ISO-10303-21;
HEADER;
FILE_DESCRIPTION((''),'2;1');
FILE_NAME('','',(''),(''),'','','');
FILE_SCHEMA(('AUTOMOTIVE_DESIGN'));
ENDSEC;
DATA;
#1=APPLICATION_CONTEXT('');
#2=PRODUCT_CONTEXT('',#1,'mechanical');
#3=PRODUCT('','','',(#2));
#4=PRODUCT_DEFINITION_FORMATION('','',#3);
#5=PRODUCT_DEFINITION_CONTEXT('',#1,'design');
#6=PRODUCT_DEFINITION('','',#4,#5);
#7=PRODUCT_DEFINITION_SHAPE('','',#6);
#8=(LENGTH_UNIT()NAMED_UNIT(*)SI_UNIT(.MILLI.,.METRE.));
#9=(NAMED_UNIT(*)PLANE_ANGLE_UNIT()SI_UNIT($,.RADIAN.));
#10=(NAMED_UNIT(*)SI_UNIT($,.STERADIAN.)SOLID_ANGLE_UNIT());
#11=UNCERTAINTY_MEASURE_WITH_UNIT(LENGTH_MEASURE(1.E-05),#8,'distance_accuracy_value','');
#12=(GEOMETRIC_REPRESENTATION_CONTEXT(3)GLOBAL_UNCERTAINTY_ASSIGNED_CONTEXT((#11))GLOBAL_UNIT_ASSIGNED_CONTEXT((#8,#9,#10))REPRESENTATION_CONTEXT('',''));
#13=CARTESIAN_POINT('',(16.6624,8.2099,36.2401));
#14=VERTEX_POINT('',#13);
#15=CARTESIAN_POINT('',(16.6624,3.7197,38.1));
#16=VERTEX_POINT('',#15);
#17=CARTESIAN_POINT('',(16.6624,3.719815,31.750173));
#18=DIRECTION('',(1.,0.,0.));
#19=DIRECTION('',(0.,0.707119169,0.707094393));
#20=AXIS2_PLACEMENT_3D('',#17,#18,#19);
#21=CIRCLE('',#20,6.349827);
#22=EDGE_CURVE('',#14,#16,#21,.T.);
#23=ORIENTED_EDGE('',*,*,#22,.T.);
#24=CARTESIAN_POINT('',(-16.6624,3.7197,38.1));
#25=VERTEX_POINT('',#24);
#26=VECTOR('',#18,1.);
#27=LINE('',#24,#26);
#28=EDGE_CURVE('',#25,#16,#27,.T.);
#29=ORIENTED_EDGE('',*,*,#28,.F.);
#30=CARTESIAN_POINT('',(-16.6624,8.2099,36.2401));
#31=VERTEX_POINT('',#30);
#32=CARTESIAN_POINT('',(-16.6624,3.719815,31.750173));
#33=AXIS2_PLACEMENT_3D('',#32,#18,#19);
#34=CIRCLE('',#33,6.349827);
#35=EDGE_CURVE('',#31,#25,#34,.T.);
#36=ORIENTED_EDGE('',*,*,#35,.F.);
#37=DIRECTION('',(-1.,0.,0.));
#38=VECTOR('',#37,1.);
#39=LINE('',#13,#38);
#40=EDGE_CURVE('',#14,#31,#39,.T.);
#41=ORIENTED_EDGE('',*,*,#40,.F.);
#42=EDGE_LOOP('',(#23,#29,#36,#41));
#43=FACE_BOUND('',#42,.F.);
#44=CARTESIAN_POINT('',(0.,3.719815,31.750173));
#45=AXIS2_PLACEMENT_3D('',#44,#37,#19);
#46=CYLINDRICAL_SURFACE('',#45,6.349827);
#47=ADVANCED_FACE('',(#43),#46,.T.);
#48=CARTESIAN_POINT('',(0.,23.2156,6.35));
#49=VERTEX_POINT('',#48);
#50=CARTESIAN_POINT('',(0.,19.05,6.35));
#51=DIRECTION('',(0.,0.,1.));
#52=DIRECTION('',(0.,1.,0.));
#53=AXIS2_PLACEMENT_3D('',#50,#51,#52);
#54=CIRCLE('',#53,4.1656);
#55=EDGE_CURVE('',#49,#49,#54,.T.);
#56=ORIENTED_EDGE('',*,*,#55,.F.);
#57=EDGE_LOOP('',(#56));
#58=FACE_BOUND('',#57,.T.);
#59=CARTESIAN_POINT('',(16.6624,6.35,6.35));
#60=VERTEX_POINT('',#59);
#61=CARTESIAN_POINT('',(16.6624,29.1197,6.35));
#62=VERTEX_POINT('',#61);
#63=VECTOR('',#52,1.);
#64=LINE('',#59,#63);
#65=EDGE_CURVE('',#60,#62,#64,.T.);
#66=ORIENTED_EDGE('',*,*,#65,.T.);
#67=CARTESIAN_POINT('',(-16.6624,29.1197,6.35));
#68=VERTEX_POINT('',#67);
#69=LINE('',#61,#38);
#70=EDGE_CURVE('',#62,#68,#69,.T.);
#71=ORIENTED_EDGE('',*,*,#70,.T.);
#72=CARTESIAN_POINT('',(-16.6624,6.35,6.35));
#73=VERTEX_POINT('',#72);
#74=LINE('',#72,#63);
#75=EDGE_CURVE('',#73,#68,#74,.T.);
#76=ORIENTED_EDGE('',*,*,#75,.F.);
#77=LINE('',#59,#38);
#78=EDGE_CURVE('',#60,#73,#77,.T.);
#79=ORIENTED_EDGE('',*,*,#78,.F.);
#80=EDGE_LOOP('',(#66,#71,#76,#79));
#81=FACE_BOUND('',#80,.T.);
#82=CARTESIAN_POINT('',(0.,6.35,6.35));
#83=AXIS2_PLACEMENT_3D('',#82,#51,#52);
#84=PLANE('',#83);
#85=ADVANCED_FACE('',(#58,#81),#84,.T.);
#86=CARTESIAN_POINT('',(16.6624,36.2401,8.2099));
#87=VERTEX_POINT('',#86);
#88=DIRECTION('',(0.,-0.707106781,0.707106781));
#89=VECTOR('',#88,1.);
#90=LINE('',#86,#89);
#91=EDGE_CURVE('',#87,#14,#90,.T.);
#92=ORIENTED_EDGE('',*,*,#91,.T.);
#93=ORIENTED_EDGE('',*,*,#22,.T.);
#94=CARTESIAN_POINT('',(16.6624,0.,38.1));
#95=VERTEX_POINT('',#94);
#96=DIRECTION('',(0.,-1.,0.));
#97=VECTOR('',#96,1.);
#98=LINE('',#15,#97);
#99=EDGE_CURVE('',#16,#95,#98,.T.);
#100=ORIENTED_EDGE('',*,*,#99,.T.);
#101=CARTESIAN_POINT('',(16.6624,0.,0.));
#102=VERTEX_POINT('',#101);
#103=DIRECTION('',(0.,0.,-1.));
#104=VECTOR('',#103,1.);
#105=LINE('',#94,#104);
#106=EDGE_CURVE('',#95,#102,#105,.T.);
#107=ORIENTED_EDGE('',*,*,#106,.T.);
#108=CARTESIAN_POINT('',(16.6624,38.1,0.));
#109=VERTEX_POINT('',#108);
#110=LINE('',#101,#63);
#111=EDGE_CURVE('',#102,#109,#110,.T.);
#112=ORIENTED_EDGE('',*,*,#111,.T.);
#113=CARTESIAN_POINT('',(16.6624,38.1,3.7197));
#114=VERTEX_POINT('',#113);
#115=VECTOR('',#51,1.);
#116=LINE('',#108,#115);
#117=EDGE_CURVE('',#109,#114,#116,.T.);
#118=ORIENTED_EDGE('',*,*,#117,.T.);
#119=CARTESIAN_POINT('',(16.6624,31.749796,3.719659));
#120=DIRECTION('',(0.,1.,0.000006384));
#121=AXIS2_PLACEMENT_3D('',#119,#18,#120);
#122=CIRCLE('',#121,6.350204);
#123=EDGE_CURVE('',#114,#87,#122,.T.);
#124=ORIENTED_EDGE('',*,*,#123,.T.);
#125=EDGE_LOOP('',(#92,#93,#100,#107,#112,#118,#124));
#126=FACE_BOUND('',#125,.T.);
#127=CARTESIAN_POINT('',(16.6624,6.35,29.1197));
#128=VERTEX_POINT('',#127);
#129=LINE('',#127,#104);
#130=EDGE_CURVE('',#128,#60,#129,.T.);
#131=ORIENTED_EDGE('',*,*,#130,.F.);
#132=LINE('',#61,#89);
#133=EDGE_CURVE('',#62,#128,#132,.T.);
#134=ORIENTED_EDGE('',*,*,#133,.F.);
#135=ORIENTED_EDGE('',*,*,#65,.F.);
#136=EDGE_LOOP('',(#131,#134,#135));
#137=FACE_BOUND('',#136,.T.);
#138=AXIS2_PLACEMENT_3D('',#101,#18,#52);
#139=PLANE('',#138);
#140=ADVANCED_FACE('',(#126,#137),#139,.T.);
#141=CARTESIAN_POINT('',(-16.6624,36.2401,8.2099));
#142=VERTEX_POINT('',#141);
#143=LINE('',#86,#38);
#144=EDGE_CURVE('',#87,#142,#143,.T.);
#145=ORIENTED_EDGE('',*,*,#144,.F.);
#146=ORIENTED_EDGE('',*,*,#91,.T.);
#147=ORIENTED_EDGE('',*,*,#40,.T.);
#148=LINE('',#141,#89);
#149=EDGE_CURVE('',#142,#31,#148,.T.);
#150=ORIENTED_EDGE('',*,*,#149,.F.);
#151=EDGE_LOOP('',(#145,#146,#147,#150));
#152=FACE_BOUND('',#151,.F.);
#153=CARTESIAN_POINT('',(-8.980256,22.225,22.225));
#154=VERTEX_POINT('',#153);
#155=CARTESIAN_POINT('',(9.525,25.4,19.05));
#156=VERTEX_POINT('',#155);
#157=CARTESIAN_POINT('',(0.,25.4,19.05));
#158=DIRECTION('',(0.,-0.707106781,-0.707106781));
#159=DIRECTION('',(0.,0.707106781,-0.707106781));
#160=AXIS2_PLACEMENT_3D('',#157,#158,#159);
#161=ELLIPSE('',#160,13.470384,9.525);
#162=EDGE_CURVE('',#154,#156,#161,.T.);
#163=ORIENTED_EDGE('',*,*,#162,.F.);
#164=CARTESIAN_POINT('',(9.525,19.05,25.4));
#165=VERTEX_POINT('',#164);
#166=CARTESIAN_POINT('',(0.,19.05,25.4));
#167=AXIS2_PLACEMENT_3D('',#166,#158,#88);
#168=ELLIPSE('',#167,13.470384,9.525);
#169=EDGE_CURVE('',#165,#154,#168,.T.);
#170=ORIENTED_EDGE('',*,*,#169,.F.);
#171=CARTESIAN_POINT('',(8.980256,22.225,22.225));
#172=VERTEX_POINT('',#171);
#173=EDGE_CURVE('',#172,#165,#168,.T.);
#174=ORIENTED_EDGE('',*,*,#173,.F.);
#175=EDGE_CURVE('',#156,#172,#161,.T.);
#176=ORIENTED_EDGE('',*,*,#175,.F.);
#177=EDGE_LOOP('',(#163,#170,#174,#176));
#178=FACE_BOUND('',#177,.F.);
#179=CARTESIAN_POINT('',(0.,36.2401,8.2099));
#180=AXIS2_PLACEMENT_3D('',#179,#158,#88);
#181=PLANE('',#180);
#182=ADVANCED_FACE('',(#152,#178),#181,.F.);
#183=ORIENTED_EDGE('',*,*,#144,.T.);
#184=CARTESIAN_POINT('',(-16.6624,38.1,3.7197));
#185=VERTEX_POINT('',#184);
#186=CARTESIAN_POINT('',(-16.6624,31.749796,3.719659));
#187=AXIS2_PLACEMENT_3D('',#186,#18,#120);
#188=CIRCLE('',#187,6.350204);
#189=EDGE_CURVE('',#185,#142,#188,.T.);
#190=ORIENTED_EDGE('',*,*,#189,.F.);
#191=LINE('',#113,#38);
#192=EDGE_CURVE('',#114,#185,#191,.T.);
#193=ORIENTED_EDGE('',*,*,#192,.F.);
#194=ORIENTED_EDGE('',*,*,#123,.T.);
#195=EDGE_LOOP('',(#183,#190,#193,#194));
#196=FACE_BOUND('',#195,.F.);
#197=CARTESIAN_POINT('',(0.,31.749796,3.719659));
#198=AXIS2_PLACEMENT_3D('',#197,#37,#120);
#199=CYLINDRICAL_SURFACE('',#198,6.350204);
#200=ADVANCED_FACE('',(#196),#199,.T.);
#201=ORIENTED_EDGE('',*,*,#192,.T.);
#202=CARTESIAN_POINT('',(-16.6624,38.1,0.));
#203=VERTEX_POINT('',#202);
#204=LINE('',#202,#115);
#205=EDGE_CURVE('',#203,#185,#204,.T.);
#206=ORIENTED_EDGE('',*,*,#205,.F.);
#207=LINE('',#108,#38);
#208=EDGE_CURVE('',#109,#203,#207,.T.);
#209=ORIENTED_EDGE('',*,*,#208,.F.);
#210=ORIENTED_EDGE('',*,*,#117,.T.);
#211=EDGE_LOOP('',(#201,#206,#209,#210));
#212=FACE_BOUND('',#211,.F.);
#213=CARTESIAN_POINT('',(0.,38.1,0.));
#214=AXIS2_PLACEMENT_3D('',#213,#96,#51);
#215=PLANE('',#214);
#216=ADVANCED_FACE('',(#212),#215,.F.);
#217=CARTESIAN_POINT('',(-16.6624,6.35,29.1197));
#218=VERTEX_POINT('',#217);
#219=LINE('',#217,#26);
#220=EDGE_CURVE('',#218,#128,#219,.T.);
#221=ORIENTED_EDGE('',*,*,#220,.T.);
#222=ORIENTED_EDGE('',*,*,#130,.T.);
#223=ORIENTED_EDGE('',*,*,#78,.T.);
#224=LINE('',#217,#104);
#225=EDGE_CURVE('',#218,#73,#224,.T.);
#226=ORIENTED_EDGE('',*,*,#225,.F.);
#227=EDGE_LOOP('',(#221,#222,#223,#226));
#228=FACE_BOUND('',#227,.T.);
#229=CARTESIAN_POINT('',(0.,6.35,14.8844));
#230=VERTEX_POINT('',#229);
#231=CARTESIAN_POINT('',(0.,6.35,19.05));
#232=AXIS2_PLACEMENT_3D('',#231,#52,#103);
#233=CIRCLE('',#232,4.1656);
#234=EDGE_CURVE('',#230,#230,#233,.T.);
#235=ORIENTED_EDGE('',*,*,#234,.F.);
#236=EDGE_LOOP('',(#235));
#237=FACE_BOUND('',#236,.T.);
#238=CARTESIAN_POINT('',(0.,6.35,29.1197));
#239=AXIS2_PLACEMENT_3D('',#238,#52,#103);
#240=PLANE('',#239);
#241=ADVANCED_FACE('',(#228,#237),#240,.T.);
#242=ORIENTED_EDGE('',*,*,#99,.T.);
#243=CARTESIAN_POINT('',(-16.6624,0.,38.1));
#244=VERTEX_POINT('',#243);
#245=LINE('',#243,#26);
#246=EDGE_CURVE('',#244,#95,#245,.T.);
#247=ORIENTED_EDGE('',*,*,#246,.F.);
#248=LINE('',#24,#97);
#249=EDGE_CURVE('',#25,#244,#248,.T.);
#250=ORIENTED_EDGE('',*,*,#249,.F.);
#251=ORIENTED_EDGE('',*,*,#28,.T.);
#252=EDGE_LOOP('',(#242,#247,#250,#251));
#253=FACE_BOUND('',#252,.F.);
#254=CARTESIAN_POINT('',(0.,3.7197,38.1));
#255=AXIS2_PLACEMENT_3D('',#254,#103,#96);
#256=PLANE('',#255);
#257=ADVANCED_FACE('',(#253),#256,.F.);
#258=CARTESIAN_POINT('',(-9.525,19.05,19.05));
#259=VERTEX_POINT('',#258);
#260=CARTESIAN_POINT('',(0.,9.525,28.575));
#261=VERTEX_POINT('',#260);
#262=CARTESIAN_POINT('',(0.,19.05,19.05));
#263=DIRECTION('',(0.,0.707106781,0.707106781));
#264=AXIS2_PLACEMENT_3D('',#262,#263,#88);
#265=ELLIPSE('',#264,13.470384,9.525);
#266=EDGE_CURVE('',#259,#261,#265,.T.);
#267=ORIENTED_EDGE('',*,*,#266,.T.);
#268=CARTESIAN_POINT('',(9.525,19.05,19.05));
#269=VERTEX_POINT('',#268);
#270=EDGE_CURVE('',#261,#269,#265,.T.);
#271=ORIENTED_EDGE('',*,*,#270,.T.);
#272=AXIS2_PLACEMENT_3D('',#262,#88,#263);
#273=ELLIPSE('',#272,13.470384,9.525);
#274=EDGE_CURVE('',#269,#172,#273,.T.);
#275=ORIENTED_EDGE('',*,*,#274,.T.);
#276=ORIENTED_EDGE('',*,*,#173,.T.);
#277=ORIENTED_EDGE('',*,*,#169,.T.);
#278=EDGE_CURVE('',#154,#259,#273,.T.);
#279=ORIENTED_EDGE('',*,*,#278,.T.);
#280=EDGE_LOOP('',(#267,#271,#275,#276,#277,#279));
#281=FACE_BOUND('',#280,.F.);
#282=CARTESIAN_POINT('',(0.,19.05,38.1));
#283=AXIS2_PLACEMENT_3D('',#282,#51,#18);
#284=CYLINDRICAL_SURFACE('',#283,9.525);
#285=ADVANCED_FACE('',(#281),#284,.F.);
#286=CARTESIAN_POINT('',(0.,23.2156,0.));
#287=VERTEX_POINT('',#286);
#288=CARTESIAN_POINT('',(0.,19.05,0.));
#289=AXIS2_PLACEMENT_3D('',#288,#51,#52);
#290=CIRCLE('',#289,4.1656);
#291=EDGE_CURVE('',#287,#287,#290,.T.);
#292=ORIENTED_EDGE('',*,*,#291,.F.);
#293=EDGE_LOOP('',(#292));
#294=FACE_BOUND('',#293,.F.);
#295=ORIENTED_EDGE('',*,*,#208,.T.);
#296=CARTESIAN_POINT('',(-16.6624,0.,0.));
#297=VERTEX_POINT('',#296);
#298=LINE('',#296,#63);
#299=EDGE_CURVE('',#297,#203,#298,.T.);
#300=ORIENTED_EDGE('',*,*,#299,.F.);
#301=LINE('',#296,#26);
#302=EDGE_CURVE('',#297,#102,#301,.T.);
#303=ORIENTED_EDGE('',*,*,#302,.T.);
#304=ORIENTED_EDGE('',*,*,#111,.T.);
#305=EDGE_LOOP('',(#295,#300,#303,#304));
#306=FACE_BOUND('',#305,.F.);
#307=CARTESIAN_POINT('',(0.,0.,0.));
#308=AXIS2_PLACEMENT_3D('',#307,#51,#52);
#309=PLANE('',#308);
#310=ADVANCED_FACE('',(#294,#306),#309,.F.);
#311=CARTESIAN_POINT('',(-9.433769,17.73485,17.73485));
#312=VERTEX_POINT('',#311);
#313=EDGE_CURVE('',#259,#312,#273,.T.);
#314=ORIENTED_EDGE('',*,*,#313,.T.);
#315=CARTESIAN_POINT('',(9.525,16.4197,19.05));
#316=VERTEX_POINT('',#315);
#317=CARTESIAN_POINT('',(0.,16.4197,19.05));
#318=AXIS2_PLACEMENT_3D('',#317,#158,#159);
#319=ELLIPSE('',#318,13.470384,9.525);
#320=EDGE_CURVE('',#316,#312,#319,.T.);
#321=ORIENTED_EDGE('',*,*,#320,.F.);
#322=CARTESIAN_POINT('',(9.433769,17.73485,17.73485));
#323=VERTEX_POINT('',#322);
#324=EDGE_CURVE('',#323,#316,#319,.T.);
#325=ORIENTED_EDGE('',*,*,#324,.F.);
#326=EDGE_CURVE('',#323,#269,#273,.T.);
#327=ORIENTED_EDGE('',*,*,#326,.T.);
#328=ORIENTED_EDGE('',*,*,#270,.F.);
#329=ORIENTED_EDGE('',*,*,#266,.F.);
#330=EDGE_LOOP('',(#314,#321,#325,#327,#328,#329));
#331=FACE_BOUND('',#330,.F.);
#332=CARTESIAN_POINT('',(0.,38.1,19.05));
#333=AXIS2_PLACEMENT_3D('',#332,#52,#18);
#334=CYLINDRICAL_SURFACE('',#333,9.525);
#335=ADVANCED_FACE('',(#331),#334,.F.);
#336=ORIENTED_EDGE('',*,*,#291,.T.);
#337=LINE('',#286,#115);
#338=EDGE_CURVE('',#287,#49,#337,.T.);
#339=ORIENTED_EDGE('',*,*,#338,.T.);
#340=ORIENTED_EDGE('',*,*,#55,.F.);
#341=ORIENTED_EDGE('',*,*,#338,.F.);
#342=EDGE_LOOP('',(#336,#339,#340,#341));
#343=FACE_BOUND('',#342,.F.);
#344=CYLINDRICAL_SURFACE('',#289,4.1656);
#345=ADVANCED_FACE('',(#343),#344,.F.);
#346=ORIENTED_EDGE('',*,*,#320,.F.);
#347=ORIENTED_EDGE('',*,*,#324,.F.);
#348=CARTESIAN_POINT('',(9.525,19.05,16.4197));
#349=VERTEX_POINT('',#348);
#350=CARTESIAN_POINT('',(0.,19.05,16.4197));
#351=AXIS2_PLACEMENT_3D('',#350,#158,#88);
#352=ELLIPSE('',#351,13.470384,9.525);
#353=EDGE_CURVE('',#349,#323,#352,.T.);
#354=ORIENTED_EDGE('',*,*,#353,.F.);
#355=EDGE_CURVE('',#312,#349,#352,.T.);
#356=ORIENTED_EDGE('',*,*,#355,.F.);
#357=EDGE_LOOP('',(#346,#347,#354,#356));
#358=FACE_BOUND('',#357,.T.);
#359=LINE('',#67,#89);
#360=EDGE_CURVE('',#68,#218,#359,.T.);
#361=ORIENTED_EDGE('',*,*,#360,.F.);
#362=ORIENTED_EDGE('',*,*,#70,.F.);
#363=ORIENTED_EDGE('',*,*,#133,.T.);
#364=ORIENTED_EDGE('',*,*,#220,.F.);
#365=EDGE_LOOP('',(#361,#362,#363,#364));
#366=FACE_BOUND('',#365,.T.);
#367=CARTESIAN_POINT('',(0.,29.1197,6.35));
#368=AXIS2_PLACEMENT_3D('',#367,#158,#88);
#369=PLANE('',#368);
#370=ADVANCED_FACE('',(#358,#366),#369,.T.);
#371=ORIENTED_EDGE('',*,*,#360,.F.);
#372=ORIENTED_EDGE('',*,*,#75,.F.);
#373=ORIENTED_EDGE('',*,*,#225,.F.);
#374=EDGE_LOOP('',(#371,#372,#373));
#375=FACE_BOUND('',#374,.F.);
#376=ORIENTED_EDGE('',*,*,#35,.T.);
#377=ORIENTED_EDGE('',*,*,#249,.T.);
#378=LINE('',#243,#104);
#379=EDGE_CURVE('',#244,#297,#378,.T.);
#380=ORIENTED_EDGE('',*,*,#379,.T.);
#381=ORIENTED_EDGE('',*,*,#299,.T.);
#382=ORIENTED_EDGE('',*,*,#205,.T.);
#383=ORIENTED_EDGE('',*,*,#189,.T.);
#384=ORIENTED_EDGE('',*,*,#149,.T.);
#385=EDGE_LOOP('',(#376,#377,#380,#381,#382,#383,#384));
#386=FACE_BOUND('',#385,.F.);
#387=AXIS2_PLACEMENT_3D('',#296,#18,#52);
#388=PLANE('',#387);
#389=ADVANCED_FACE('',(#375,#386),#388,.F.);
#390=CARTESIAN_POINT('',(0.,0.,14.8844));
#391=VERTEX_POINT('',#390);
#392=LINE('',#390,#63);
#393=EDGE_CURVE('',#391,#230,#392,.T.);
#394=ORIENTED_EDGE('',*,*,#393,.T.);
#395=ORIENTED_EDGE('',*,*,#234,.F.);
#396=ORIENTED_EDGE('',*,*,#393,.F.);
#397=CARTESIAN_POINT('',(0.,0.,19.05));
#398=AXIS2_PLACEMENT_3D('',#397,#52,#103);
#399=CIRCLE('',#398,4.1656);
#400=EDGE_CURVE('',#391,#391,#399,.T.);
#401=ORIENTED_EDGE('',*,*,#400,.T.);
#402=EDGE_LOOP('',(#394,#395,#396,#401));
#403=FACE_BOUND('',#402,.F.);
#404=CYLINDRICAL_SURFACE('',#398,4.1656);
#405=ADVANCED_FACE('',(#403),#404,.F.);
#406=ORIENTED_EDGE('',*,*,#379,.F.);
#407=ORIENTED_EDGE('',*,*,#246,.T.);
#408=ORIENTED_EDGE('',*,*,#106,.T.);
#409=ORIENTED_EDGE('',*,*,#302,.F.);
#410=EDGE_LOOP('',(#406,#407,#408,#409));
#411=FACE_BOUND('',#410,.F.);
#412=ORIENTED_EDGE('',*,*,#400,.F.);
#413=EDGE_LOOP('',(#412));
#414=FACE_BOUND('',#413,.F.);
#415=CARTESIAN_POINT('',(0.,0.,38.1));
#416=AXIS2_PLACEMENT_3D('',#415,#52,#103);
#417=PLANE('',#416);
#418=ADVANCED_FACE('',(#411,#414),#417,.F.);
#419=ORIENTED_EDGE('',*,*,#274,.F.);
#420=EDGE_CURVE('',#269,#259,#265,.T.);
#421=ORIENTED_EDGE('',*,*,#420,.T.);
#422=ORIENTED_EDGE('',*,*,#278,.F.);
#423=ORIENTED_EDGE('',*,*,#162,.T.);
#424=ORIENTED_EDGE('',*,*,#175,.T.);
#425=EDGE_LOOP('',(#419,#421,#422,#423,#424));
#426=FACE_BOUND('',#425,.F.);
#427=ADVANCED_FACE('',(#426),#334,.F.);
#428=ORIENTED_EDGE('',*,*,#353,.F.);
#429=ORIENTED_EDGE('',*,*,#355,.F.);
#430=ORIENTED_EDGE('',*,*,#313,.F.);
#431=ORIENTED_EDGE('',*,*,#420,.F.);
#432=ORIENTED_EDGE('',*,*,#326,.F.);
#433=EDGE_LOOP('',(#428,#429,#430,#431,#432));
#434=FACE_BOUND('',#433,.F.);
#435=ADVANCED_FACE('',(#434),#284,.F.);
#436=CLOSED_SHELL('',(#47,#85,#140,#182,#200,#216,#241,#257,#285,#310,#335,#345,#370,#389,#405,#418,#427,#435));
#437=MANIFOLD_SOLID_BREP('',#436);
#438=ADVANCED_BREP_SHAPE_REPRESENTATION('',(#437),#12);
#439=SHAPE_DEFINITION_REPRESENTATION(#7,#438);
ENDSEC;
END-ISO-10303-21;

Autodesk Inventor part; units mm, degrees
ref_plane "YZ Plane" through (0, 0, 0) normal (1, 0, 0) x (0, 1, 0)
ref_plane "XZ Plane" through (0, 0, 0) normal (0, 1, 0) x (-1, 0, 0)
ref_plane "XY Plane" through (0, 0, 0) normal (0, 0, 1) x (1, 0, 0)
sketch "Sketch_1" plane through (0, 0, 0) normal (1, 0, 0) x (0, 1, 0)
  line L0 (3.7197, 38.1) -> (0, 38.1)
  line L1 (0, 38.1) -> (0, 0)
  line L2 (0, 0) -> (38.1, 0)
  line L3 (38.1, 0) -> (38.1, 3.7197)
  arc A0 (38.1, 3.7197) -> (36.2401, 8.2099) centre (31.75, 3.7197) ccw
  line L4 (36.2401, 8.2099) -> (8.2099, 36.2401)
  arc A1 (8.2099, 36.2401) -> (3.7197, 38.1) centre (3.7197, 31.75) ccw
  line L5 (6.35, 29.1197) -> (6.35, 6.35)
  line L6 (6.35, 6.35) -> (29.1197, 6.35)
  line L7 (29.1197, 6.35) -> (6.35, 29.1197)
extrude "Extrusion1" add sketch "Sketch_1" along normal mid plane 33.3248
sketch "Sketch2" plane through (-16.6624, 0, 0) normal (0, -1, 0) x (1, 0, 0)
  point P0 (16.6624, 19.05)
hole "Hole1" at (0, 0, 19.05) direction (0, 1, 0) diameter 8.3312 depth 6.35
sketch "Sketch3" plane through (16.6624, 38.1, 0) normal (0, 0, -1) x (-1, 0, 0)
  point P0 (16.6624, -19.05)
hole "Hole2" at (0, 19.05, 0) direction (0, 0, 1) diameter 8.3312 depth 6.35
sketch "Sketch_4" plane through (0, 0, 38.1) normal (0, 0, 1) x (1, 0, 0)
  circle A0 centre (0, 19.05) radius 9.525
extrude "Extrusion2" cut sketch "Sketch_4" against normal blind 31.75
sketch "Sketch_5" plane through (0, 38.1, 0) normal (0, 1, 0) x (1, 0, 0)
  circle A0 centre (0, -19.05) radius 9.525
extrude "Extrusion3" cut sketch "Sketch_5" against normal blind 31.75
properties part number "4332"
